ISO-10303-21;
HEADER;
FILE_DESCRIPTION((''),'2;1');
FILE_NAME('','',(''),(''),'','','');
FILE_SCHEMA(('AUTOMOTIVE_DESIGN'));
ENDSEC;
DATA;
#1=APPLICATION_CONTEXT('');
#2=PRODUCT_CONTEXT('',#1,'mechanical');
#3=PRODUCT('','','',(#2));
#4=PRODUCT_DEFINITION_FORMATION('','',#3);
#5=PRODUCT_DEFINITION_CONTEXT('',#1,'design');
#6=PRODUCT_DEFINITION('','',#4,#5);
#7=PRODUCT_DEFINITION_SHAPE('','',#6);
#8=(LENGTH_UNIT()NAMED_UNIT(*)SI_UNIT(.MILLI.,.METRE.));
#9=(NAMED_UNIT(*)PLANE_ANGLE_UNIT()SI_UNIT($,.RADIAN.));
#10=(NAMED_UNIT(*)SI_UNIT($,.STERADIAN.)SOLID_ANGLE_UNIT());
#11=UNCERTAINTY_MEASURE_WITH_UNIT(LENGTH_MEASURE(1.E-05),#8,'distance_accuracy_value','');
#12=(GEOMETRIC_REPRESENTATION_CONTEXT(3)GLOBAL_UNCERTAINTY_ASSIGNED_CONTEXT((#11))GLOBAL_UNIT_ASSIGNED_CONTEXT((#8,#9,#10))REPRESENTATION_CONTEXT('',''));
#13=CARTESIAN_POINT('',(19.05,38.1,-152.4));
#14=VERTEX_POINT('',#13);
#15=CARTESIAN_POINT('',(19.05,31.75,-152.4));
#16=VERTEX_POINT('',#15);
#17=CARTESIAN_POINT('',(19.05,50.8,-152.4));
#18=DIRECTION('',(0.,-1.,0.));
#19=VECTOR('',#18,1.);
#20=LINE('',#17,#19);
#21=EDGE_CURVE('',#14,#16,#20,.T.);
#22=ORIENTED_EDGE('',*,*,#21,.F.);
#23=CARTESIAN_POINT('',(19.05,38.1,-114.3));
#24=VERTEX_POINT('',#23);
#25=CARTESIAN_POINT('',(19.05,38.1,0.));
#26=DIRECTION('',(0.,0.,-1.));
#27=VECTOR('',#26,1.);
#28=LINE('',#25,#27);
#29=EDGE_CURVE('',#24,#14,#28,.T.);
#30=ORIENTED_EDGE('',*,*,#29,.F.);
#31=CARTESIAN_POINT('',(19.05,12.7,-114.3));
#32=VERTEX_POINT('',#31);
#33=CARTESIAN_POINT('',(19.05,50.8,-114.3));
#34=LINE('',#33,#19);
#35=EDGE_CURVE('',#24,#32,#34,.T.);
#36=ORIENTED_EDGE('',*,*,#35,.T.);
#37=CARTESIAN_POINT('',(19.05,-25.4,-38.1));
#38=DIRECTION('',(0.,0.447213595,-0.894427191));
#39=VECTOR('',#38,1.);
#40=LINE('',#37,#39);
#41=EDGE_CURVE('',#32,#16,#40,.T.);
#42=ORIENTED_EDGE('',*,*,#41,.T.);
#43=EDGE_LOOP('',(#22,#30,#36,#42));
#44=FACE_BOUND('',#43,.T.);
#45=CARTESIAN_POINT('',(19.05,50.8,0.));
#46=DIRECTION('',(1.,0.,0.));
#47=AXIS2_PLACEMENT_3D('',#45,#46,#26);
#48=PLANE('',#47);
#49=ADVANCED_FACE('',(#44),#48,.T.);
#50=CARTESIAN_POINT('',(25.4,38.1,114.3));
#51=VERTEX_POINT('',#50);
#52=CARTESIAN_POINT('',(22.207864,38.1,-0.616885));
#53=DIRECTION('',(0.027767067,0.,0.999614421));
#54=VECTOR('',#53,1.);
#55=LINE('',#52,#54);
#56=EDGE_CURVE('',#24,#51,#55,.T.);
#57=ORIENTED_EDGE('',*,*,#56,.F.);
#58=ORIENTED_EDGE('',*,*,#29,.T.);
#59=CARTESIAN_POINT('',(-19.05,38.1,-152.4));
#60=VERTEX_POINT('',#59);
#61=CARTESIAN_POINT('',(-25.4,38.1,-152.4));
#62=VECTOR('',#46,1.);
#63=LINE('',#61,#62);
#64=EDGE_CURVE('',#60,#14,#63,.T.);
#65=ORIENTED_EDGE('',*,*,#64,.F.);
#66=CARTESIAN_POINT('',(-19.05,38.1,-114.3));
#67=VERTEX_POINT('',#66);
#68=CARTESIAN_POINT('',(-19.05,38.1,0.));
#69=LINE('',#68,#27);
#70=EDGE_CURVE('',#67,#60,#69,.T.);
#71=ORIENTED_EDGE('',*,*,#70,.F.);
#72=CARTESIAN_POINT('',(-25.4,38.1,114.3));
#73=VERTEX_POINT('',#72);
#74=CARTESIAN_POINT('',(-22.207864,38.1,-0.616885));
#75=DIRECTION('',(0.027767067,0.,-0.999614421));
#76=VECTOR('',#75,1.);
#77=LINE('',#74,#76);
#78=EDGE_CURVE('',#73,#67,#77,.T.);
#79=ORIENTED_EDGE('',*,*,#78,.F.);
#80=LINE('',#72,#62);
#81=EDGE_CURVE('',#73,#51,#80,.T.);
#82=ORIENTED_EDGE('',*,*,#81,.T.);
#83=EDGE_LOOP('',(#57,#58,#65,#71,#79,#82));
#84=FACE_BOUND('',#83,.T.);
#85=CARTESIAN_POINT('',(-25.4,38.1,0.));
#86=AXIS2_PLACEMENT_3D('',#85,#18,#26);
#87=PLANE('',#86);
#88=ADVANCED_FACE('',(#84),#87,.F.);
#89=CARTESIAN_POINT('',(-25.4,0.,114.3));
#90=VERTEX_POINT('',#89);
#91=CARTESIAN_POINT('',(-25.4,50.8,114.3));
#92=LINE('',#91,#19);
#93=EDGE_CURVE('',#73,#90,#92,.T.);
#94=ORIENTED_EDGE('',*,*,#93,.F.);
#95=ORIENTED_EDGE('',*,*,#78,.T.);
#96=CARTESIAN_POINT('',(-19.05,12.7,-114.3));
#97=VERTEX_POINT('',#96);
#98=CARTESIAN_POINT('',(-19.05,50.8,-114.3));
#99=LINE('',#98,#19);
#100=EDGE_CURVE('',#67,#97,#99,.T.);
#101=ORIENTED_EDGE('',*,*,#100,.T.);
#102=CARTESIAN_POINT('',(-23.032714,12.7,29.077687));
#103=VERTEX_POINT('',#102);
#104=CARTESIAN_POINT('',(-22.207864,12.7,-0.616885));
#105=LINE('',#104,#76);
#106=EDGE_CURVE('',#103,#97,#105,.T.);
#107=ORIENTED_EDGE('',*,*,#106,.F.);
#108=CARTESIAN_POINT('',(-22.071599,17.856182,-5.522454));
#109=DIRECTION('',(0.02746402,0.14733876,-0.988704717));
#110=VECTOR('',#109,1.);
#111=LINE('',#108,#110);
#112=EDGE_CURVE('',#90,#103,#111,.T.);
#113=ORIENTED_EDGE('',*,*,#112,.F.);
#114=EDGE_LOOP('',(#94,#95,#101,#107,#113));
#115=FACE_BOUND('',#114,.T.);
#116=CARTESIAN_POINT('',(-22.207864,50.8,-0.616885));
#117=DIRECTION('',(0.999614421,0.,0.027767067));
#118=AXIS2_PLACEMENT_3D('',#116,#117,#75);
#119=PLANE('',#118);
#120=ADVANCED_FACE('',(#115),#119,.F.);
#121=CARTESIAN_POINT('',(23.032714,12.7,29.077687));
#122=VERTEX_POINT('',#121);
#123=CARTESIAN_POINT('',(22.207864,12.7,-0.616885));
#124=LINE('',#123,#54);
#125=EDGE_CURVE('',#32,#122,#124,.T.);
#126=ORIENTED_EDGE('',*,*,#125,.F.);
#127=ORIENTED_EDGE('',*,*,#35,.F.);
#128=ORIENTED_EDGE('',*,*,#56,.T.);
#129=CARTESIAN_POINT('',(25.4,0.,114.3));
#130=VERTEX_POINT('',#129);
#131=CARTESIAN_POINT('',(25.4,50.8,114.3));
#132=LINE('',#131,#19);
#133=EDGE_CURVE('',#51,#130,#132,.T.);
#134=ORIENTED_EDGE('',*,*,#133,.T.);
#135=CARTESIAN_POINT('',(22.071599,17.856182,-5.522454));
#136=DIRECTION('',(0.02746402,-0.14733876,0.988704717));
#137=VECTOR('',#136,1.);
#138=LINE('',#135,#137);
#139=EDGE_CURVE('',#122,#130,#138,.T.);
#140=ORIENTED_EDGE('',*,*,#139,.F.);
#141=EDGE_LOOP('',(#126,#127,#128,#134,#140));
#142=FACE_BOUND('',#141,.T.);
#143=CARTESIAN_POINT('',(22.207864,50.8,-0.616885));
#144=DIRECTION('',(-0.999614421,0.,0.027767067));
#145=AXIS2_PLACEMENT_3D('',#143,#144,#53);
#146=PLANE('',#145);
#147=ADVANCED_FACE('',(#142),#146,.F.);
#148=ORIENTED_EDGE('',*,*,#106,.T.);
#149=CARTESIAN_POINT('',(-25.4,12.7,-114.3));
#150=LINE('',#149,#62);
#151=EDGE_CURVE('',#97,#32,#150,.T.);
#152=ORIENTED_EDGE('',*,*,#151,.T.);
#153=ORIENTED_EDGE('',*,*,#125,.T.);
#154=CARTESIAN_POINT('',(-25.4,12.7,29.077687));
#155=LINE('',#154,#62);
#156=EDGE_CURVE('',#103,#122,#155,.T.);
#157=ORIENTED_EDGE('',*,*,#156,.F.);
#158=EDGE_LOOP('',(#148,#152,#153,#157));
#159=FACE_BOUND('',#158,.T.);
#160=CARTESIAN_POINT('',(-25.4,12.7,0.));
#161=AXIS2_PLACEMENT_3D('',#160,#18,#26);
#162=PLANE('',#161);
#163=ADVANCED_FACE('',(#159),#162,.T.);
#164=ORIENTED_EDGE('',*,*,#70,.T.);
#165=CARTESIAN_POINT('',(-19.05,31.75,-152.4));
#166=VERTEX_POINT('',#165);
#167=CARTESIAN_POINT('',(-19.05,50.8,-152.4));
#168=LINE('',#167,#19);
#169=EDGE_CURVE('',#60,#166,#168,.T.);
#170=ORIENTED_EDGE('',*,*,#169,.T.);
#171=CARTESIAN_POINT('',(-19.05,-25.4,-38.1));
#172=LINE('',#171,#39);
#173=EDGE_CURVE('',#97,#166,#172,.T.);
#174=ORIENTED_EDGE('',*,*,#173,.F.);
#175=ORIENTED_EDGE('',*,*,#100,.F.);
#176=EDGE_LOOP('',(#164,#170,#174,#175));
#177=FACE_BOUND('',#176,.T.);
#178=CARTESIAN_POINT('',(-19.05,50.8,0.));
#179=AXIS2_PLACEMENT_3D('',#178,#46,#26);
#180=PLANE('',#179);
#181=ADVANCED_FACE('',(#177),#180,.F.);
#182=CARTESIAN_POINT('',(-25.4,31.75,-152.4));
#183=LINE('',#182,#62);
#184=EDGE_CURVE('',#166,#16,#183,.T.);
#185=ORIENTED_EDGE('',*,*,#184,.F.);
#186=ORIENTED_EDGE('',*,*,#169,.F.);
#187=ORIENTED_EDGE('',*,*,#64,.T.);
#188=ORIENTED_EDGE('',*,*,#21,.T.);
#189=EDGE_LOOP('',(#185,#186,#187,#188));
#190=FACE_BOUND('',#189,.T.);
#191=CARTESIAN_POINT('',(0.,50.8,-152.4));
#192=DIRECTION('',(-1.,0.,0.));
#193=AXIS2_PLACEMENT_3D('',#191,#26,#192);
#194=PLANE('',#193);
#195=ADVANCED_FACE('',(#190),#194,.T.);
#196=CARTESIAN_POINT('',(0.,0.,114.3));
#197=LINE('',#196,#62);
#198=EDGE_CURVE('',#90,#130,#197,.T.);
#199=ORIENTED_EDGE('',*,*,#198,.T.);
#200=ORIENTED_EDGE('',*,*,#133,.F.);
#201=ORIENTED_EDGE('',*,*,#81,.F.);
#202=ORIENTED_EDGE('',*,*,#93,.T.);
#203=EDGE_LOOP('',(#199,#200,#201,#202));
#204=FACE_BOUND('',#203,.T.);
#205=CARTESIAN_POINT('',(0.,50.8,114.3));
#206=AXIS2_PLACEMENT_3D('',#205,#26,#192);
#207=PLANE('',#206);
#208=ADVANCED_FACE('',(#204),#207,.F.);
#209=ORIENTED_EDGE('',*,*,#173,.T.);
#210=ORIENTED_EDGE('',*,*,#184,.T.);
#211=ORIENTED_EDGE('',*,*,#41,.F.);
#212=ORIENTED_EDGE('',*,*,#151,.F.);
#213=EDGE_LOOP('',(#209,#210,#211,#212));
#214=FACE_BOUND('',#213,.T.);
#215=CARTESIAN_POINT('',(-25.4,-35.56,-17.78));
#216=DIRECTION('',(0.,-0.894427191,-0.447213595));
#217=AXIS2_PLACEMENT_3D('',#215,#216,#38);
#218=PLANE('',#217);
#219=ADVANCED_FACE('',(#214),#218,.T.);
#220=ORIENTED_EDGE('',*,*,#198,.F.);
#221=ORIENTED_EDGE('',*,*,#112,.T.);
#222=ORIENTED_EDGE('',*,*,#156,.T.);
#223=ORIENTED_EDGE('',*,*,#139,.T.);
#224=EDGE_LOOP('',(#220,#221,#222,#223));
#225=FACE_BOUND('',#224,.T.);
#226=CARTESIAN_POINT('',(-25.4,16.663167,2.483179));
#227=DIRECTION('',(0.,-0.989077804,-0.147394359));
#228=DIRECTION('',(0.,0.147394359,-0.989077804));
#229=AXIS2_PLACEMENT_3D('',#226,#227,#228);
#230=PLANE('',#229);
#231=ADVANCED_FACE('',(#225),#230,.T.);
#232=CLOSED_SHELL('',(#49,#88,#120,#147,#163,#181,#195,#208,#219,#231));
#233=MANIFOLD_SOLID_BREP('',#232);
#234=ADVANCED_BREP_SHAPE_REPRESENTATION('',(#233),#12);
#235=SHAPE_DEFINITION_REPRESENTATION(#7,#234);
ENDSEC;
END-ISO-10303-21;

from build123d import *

# Parameters (mm, degrees)
SKETCH1_W           = 38.1
SKETCH1_H           = 38.1
BOSS_EXTRUDE2_DEPTH = 50.8
SKETCH11_W          = 266.7
SKETCH11_H          = 12.7
CUT_EXTRUDE6_DEPTH  = 51.8


with BuildPart() as part:
    # Sketch1 → Boss-Extrude2 (new body)
    with BuildSketch(Plane(origin=(0, 0, 0), x_dir=(1, 0, 0), z_dir=(0, 1, 0))):
        Polygon((-19.05, 114.3), (-25.4, -114.3), (25.4, -114.3), (19.05, 114.3), align=None)
        with Locations((0, 133.35)):
            Rectangle(SKETCH1_W, SKETCH1_H)
    extrude(amount=BOSS_EXTRUDE2_DEPTH)

    # Sketch11 → Cut-Extrude6 (cut, through all)
    with BuildSketch(Plane(origin=(25.4, 0, 0), x_dir=(0, 0, -1), z_dir=(1, 0, 0))):
        Polygon((114.3, 12.7), (-29.077687403, 12.7), (-114.3, 0), (152.4, 0), (152.4, 12.7), align=None)
        with Locations((19.05, 44.45)):
            Rectangle(SKETCH11_W, SKETCH11_H)
        Polygon((152.4, 12.7), (152.4, 31.75), (114.3, 12.7), align=None)
    extrude(amount=-CUT_EXTRUDE6_DEPTH, mode=Mode.SUBTRACT)


solid = part.part
